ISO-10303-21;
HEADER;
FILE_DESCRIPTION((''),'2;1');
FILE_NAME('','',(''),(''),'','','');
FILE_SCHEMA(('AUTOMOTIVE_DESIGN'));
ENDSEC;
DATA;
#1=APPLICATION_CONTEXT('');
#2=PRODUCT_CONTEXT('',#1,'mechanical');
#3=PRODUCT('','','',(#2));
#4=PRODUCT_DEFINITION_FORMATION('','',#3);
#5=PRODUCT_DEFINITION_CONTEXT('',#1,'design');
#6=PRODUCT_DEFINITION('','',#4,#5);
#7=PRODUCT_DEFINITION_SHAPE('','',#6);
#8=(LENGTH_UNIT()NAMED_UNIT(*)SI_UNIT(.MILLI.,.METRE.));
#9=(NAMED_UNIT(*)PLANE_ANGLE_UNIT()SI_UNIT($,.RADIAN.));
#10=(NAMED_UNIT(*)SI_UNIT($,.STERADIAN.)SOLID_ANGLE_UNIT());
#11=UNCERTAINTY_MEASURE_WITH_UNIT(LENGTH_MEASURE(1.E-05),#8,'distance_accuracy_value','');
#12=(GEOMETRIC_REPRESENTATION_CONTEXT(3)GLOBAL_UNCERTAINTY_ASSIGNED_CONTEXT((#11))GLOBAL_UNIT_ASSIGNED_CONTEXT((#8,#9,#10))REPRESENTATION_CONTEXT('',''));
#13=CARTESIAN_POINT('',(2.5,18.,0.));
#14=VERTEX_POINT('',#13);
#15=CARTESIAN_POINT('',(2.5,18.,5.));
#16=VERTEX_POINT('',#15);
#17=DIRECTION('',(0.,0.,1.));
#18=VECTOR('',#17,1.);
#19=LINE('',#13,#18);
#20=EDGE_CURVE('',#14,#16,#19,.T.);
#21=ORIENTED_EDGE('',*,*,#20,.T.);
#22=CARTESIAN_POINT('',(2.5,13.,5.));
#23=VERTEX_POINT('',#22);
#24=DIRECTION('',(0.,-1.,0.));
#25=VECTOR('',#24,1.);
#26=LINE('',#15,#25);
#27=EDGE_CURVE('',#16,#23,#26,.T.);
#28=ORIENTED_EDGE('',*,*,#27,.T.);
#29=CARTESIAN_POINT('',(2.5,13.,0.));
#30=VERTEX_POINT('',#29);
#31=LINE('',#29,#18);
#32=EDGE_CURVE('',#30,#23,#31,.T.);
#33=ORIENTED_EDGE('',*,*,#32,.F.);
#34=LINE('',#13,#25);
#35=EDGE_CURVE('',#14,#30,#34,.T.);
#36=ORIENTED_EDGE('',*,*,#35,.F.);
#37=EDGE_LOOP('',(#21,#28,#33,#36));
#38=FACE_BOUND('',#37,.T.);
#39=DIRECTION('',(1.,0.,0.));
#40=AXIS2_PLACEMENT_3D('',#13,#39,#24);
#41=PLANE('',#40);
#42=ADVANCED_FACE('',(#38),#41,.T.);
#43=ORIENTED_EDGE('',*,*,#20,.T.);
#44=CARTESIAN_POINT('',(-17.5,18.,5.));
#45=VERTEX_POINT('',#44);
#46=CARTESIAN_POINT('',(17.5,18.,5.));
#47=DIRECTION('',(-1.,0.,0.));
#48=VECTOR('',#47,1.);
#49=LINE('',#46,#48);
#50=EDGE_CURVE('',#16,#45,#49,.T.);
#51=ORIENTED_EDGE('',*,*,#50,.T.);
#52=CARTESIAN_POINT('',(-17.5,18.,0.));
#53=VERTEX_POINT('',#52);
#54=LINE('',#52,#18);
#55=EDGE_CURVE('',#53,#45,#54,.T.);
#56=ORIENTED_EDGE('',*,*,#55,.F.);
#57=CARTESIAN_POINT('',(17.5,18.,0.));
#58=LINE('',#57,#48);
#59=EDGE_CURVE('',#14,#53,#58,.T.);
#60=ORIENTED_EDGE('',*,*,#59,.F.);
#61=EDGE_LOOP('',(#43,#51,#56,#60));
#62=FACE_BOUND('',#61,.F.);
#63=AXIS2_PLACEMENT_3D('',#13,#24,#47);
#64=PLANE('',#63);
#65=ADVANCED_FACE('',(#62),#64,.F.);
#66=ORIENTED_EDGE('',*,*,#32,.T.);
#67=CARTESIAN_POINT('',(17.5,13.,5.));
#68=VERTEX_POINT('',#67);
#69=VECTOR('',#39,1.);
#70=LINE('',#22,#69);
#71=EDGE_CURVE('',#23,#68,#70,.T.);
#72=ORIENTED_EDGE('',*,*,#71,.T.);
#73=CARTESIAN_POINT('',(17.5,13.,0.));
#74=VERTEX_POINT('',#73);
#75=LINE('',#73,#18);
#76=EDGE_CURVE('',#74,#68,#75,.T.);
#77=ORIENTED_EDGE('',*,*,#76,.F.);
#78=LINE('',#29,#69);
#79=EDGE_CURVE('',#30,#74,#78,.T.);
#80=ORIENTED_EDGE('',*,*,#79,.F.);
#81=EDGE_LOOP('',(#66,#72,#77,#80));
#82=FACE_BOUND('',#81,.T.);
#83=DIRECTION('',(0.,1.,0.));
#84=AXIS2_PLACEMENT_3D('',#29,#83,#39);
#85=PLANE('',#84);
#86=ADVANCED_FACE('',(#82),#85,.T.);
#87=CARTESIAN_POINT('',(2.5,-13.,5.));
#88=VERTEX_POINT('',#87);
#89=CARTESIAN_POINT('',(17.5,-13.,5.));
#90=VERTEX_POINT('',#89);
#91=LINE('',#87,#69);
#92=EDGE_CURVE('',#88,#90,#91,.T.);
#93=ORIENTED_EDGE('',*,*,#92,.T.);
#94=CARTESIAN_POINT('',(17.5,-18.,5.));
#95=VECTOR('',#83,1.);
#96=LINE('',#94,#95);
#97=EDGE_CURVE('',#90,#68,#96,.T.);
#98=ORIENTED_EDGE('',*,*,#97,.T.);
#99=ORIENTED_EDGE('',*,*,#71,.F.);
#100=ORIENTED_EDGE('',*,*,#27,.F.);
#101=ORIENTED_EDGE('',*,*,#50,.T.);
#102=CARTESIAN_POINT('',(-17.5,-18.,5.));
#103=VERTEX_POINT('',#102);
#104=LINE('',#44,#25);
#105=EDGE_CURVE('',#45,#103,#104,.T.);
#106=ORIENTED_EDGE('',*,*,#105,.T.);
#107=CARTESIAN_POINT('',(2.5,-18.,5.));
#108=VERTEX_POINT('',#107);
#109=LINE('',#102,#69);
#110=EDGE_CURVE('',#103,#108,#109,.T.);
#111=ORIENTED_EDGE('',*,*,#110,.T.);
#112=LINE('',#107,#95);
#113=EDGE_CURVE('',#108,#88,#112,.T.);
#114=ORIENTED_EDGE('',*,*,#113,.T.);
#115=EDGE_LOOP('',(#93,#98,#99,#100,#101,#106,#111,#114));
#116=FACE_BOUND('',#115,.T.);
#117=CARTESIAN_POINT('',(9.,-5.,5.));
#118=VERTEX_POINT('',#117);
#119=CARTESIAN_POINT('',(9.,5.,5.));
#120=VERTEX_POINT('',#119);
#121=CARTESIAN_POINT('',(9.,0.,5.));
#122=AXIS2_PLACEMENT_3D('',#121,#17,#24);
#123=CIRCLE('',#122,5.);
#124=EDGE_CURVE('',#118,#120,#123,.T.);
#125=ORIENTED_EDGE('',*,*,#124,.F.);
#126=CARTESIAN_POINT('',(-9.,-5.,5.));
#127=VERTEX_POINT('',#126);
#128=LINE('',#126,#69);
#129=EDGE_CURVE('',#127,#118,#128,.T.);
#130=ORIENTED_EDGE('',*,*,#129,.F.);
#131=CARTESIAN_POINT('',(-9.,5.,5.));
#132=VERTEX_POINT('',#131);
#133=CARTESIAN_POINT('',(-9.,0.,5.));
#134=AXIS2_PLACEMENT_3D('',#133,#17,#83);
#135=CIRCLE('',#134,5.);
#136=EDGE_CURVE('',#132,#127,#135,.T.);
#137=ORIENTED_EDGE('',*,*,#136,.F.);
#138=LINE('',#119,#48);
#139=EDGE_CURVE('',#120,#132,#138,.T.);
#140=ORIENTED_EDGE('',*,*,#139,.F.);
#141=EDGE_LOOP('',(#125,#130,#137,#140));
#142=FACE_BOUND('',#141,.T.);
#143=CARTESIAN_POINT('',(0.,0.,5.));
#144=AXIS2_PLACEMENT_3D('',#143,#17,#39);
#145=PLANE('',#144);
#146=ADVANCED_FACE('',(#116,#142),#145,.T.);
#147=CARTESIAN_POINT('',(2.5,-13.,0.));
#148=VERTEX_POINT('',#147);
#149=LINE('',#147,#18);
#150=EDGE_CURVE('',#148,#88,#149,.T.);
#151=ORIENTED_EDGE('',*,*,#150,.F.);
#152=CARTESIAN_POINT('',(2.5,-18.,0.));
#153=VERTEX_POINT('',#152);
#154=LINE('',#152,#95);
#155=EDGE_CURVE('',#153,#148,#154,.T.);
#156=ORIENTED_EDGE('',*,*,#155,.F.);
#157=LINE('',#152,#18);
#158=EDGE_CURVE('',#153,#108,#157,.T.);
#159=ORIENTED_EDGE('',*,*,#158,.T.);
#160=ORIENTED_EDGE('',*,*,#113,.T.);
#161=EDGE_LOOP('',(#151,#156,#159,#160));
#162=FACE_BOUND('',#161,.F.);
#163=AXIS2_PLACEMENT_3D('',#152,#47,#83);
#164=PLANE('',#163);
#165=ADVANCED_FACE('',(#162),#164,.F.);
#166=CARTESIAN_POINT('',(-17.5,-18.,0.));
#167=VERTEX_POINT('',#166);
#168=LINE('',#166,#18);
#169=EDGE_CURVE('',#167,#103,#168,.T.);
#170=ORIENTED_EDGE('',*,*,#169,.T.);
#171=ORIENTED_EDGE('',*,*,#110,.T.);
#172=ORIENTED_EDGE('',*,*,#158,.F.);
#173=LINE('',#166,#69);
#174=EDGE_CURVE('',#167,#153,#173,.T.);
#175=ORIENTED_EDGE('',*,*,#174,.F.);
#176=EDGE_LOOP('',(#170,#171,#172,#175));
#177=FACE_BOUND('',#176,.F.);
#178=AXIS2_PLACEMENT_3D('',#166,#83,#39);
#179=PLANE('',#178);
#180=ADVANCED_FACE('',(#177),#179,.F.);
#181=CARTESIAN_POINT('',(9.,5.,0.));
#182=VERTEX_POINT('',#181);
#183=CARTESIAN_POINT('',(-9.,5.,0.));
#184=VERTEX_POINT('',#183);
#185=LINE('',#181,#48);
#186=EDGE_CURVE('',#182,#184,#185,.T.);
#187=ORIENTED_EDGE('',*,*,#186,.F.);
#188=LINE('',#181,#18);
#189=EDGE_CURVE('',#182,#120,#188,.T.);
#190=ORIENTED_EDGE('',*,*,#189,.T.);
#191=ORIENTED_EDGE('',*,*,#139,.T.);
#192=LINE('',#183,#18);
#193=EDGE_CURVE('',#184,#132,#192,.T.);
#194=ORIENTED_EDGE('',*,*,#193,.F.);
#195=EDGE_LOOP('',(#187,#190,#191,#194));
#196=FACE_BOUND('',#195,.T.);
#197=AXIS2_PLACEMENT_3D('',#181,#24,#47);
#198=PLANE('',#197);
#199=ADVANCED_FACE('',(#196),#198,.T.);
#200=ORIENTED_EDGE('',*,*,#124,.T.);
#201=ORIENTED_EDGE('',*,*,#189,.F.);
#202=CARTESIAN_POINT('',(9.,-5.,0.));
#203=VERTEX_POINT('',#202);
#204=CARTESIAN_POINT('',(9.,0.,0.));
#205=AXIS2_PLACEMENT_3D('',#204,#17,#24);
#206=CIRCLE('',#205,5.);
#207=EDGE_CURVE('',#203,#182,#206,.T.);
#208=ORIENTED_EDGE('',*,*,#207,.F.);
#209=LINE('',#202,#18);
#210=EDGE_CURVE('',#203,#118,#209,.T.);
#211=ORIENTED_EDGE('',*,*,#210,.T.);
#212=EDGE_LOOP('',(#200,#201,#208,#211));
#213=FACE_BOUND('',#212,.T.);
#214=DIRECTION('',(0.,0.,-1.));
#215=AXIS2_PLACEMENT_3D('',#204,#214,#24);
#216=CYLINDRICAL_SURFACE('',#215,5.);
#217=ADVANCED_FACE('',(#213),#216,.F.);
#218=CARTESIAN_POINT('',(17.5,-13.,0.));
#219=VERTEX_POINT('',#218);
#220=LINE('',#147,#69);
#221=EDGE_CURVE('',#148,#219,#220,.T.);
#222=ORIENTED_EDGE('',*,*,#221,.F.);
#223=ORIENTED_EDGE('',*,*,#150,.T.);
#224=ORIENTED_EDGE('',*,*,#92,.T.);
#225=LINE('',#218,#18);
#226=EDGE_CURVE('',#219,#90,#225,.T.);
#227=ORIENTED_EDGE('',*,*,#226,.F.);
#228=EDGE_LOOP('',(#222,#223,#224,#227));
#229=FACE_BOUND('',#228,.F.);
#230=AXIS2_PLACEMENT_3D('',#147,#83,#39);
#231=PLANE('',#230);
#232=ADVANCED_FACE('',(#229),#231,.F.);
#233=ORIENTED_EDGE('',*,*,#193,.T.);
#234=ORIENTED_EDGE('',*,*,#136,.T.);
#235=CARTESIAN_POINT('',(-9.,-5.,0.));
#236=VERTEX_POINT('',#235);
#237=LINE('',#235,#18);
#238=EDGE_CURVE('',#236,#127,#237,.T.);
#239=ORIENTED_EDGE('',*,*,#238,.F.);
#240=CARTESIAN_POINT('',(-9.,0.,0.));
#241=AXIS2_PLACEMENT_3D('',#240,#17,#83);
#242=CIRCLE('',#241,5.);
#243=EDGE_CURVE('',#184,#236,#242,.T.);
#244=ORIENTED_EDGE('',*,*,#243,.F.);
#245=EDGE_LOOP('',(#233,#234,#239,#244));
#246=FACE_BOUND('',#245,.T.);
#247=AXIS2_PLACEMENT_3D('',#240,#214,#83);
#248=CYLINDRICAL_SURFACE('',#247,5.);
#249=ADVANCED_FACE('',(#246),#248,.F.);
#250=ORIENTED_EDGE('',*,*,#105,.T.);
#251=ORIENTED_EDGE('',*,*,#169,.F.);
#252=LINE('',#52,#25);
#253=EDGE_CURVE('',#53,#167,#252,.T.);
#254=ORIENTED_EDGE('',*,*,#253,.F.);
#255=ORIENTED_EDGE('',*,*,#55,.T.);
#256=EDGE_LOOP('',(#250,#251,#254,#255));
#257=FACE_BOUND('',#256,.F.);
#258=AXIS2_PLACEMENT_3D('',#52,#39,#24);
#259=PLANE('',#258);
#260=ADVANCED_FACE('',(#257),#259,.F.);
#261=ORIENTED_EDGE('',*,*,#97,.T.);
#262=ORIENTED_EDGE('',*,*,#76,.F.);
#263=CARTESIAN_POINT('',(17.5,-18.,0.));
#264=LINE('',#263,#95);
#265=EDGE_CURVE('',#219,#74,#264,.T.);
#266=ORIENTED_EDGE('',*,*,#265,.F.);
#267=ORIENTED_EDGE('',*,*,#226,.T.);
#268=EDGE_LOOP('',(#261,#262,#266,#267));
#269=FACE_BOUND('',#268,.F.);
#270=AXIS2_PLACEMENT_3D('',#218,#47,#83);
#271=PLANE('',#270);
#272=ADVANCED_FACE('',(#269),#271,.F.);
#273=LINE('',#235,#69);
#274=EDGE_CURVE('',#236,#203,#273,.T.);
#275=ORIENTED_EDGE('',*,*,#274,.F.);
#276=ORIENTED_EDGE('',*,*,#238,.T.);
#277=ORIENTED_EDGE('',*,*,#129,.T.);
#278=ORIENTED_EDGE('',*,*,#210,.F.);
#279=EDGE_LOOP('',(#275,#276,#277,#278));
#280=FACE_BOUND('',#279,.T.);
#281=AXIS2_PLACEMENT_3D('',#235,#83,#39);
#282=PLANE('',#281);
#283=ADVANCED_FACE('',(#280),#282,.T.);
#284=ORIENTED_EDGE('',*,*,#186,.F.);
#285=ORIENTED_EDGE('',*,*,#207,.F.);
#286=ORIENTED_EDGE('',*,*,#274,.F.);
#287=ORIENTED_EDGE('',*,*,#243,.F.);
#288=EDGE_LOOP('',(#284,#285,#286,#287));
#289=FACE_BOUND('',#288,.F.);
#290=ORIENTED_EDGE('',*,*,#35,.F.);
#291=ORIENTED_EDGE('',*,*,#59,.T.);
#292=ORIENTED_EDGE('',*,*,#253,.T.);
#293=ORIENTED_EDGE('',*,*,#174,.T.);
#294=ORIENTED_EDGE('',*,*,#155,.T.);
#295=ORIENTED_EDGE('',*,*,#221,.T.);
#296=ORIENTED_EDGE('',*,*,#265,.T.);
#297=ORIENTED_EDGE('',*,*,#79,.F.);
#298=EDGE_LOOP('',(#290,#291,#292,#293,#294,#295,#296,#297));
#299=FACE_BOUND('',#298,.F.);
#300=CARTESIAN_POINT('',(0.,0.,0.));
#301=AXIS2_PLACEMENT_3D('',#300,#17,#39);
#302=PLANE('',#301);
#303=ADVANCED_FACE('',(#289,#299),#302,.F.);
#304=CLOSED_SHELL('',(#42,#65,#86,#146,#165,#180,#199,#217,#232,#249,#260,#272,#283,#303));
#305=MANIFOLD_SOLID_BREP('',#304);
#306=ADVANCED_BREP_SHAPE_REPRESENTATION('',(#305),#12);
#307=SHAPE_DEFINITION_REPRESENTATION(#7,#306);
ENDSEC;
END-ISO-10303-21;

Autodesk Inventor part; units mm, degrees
ref_plane "YZ Plane" through (0, 0, 0) normal (1, 0, 0) x (0, 1, 0)
ref_plane "XZ Plane" through (0, 0, 0) normal (0, 1, 0) x (-1, 0, 0)
ref_plane "XY Plane" through (0, 0, 0) normal (0, 0, 1) x (1, 0, 0)
sketch "Sketch1" plane through (0, 0, 0) normal (0, 0, 1) x (1, 0, 0)
  line L0 (-17.5, -18) -> (17.5, -18)
  line L1 (17.5, -18) -> (17.5, 18)
  line L2 (17.5, 18) -> (-17.5, 18)
  line L3 (-17.5, 18) -> (-17.5, -18)
  line L4 (-17.5, -18) -> (17.5, 18) construction
  line L5 (17.5, -18) -> (-17.5, 18) construction
  line L6 (17.5, 18) -> (2.5, 18)
  line L7 (2.5, 18) -> (2.5, 13)
  line L8 (2.5, 13) -> (17.5, 13)
  line L9 (17.5, 13) -> (17.5, 18)
  line L10 (17.5, -18) -> (2.5, -18)
  line L11 (2.5, -18) -> (2.5, -13)
  line L12 (2.5, -13) -> (17.5, -13)
  line L13 (17.5, -13) -> (17.5, -18)
  line L14 (-9, 0) -> (9, 0) construction
  line L15 (-9, -5) -> (9, -5)
  line L16 (9, 5) -> (-9, 5)
  arc A0 (-9, 5) -> (-9, -5) centre (-9, 0) ccw
  arc A1 (9, -5) -> (9, 5) centre (9, 0) ccw
  point P0 (0, 0)
  point P1 (2.5, -18)
  point P2 (17.5, 13)
  point P3 (0, 0)
  point P4 (-17.5, 0)
  dimension "d0" = 36
  dimension "d1" = 35
  dimension "d2" = 5
  dimension "d3" = 5
  dimension "d4" = 20
  dimension "d7" = 10
  dimension "d8" = 18
extrude "Extrusion1" add sketch "Sketch1" along normal blind 5 contours L3 L2 L7 L8 L1 L12 L11 L0
equation "\"d3\" = d2"
properties part number "r-support"
